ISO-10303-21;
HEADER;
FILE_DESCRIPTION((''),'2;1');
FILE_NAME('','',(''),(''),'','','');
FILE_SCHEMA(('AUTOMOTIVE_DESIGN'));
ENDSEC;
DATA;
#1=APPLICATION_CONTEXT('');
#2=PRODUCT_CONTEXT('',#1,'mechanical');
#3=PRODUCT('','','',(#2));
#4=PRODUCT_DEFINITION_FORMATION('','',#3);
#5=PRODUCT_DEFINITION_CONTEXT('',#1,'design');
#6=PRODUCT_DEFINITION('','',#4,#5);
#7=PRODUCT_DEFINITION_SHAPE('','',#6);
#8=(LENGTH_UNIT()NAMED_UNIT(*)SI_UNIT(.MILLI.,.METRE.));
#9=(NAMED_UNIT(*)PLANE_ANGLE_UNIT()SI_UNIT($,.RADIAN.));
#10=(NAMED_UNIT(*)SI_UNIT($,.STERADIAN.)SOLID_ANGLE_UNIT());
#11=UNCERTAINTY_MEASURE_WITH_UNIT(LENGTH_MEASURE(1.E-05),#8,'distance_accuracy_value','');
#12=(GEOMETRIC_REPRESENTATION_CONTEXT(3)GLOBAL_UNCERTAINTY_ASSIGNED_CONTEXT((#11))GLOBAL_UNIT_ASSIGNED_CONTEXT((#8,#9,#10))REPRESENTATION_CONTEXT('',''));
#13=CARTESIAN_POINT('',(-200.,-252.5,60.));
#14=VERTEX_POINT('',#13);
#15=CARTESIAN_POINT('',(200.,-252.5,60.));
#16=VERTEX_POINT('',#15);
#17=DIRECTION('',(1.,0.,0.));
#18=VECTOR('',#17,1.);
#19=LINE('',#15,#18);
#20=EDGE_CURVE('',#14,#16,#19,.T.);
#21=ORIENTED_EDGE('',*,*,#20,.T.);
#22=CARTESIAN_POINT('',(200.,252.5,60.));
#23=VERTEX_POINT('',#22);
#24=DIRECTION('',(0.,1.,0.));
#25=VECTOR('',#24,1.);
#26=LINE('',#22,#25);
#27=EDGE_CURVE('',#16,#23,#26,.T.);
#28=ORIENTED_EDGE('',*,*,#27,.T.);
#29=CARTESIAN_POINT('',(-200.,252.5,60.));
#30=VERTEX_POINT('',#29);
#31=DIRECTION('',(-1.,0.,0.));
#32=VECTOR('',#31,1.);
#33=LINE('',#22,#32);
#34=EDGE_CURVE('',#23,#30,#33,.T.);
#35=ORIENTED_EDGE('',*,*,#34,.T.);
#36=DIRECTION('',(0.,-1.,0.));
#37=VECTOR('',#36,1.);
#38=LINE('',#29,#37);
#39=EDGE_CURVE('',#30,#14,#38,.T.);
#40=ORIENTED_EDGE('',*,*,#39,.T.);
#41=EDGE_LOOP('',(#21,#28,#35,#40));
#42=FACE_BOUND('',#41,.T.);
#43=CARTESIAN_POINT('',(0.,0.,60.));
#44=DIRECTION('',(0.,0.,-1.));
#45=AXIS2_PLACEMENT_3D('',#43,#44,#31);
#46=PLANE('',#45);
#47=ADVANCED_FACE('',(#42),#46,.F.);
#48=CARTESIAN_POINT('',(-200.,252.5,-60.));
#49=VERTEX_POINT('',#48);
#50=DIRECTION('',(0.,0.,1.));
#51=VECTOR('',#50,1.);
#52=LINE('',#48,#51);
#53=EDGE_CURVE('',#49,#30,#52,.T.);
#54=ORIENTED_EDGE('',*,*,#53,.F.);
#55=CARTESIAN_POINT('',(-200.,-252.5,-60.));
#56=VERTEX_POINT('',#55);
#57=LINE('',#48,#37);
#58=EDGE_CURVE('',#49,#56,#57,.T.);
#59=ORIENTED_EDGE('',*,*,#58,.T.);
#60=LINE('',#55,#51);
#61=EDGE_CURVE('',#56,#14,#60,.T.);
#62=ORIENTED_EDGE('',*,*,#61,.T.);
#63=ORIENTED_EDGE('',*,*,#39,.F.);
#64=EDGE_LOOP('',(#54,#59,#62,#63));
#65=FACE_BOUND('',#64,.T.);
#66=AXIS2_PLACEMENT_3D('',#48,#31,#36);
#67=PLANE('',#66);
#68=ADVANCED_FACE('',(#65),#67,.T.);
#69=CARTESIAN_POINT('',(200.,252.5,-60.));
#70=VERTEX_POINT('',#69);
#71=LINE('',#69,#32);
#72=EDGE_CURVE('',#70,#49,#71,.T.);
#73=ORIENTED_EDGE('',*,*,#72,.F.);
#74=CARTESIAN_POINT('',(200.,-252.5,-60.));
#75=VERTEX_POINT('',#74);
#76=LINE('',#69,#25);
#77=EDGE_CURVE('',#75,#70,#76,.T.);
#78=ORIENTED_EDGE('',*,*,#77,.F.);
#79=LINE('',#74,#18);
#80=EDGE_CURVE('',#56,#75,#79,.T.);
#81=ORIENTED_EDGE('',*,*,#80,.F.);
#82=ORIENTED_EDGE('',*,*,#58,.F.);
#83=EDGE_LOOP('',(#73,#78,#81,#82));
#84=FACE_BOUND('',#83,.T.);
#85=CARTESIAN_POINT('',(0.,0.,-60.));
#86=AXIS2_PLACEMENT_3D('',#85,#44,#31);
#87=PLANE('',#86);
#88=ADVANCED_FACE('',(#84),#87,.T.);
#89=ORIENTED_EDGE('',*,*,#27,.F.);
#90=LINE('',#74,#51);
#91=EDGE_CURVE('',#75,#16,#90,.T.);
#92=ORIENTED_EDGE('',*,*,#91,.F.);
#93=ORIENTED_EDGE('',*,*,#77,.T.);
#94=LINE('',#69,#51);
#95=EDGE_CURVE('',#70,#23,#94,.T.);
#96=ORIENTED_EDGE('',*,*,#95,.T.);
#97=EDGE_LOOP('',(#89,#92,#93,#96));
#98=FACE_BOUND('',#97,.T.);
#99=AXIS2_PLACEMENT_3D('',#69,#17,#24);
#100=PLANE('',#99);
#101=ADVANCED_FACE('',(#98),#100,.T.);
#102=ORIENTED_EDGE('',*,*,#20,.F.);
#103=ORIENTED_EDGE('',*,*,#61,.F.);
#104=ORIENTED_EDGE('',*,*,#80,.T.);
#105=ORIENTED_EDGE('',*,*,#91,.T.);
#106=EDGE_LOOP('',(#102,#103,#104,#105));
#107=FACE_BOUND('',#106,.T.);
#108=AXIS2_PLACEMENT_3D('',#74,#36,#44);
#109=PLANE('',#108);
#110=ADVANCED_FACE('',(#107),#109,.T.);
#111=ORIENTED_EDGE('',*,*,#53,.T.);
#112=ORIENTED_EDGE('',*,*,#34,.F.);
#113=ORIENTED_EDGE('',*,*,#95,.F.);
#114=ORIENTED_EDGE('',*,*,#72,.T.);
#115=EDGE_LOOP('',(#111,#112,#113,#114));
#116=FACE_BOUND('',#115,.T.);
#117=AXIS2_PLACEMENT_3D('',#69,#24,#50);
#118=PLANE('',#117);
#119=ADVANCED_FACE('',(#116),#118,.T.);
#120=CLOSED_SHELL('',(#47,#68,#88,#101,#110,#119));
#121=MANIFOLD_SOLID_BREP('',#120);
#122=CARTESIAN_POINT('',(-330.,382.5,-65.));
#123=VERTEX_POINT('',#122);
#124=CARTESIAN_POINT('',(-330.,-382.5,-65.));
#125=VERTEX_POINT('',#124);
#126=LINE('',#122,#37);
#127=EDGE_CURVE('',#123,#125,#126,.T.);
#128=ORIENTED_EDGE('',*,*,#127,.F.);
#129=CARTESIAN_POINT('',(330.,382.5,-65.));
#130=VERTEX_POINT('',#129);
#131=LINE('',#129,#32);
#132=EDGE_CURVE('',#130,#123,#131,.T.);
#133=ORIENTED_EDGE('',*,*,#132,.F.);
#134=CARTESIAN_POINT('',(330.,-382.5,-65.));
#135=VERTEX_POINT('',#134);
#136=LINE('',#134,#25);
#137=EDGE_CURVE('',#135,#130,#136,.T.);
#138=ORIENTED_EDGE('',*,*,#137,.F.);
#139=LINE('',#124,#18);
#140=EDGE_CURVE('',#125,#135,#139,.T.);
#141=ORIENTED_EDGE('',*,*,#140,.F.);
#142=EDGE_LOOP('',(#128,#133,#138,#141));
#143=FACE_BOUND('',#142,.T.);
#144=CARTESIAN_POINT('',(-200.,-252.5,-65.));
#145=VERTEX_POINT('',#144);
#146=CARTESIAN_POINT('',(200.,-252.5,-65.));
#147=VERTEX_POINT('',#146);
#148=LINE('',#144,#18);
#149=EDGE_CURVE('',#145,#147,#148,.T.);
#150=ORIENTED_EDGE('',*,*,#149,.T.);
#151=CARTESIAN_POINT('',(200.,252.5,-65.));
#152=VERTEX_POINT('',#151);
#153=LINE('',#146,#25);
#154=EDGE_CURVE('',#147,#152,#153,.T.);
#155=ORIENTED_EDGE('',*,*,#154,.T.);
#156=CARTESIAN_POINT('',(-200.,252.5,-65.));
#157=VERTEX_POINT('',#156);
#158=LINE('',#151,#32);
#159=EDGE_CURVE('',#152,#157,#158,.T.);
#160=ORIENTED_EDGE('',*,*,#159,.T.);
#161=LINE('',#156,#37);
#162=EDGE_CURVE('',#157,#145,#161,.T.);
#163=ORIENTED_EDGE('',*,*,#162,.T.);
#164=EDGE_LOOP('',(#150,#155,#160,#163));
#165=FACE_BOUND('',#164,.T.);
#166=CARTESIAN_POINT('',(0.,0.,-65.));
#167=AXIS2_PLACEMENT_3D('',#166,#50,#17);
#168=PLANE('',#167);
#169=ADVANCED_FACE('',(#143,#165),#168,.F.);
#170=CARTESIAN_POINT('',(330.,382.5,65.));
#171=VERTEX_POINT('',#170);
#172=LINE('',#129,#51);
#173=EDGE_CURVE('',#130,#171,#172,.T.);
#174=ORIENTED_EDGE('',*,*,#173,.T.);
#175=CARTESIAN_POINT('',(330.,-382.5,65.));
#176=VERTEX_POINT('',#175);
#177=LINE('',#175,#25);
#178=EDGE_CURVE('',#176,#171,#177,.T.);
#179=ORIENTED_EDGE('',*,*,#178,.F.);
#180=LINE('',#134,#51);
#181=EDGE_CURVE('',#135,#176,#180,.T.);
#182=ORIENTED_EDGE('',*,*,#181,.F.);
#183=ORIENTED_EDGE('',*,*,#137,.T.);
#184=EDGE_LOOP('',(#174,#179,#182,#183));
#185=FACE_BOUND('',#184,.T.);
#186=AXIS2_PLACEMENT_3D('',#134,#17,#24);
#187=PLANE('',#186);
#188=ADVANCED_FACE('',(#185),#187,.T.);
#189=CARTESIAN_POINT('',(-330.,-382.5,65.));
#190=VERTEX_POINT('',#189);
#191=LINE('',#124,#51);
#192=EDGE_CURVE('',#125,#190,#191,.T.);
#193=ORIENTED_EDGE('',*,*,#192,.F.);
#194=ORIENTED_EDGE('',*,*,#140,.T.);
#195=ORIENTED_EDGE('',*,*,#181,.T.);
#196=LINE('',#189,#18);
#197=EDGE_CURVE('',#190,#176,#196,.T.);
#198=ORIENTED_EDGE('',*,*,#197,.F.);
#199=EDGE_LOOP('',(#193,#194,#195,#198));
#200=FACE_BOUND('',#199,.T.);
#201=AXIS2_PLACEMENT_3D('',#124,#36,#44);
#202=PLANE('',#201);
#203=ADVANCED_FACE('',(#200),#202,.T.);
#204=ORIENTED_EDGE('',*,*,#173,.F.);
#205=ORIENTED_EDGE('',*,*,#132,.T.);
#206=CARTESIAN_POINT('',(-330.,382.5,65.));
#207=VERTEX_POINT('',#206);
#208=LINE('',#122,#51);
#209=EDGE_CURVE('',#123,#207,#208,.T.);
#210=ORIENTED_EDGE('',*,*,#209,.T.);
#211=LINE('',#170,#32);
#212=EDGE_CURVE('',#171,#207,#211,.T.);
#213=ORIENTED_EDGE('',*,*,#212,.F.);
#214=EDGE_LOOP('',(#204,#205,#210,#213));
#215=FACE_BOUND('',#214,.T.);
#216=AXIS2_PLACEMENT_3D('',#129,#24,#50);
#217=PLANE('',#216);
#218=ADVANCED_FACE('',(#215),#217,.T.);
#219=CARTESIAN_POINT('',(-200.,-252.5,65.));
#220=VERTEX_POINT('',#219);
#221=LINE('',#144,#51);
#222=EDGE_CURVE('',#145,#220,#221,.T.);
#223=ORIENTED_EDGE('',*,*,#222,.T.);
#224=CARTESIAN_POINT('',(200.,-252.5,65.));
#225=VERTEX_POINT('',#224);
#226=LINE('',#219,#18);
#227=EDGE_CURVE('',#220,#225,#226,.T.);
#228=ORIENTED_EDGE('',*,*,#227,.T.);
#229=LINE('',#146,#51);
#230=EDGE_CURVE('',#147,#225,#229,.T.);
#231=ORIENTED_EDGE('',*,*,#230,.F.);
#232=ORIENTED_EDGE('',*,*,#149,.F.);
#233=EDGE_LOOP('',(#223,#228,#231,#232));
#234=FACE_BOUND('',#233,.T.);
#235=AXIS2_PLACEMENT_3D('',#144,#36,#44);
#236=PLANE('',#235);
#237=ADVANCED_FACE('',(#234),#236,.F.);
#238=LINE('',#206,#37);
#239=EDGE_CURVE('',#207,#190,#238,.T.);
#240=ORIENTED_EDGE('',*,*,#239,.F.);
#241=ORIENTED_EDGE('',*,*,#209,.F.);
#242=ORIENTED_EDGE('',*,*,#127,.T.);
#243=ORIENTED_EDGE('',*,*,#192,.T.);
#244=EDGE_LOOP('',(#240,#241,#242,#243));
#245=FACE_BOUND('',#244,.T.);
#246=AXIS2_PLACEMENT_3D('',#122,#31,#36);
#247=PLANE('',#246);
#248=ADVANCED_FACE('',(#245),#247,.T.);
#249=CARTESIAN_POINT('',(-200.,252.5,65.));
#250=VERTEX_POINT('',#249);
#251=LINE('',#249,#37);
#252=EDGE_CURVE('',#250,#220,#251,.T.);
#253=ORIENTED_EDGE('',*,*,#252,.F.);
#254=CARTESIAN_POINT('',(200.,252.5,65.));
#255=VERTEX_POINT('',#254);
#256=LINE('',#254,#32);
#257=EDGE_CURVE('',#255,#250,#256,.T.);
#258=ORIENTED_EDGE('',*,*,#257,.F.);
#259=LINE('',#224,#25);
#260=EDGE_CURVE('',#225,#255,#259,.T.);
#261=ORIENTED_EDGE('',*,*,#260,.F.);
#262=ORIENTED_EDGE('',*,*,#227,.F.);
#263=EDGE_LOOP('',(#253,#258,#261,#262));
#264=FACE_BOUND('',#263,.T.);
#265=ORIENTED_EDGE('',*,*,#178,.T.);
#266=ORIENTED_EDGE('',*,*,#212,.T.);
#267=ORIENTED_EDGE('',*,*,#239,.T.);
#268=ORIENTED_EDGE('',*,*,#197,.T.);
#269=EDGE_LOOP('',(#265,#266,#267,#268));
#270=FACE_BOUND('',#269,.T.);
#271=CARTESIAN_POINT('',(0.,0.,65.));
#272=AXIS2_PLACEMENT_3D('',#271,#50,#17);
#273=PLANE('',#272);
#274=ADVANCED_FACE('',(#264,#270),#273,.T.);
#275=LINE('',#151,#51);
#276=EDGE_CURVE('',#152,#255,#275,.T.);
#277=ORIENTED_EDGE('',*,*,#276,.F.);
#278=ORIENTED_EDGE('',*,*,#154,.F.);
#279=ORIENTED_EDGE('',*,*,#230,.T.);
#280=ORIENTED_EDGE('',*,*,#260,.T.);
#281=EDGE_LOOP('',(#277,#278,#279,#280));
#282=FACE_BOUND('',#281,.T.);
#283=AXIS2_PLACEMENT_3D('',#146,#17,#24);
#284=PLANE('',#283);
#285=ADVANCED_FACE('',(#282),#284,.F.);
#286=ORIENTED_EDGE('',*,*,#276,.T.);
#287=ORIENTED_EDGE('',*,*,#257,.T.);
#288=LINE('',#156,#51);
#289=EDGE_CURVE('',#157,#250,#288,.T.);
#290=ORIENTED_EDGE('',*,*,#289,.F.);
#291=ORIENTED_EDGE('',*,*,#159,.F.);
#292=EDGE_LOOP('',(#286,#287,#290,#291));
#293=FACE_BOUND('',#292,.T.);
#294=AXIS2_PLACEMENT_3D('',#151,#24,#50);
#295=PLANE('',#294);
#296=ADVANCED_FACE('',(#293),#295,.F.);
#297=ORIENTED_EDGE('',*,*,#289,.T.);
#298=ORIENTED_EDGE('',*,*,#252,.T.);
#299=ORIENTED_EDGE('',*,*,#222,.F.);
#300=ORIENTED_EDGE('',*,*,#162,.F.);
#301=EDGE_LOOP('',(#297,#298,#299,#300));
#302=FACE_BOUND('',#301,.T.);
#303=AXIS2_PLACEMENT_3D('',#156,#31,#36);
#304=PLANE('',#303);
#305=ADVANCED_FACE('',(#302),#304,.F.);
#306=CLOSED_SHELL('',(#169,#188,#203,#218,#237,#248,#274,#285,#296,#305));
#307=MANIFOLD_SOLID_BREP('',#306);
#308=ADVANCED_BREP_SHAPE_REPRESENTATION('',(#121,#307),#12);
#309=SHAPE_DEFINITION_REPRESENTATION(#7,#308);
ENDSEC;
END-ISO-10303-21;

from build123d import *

# Parameters (mm, degrees)
RESSALTO_EXTRUS_O1_DEPTH      = 60
RESSALTO_EXTRUS_O1_DEPTH_BACK = 60
ESBO_O1_W                     = 400
ESBO_O1_H                     = 505
RESSALTO_EXTRUS_O2_DEPTH      = 65
RESSALTO_EXTRUS_O2_DEPTH_BACK = 65
ESBO_O2_W                     = 660
ESBO_O2_H                     = 765
ESBO_O2_W_2                   = 400
ESBO_O2_H_2                   = 505


with BuildPart() as part:
    # Esboço1 → Ressalto-extrusão1 (new, two sides: drawn at the far end of the back side and taken through both)
    with BuildSketch(Plane.XY.offset(-RESSALTO_EXTRUS_O1_DEPTH_BACK)):
        Rectangle(ESBO_O1_W, ESBO_O1_H)
    extrude(amount=RESSALTO_EXTRUS_O1_DEPTH + RESSALTO_EXTRUS_O1_DEPTH_BACK)


with BuildPart() as body_2:
    # Esboço2 → Ressalto-extrusão2 (new, two sides: drawn at the far end of the back side and taken through both)
    with BuildSketch(Plane.XY.offset(-RESSALTO_EXTRUS_O2_DEPTH_BACK)):
        Rectangle(ESBO_O2_W, ESBO_O2_H)
        Rectangle(ESBO_O2_W_2, ESBO_O2_H_2, mode=Mode.SUBTRACT)
    extrude(amount=RESSALTO_EXTRUS_O2_DEPTH + RESSALTO_EXTRUS_O2_DEPTH_BACK)


solid = Compound([part.part, body_2.part])
